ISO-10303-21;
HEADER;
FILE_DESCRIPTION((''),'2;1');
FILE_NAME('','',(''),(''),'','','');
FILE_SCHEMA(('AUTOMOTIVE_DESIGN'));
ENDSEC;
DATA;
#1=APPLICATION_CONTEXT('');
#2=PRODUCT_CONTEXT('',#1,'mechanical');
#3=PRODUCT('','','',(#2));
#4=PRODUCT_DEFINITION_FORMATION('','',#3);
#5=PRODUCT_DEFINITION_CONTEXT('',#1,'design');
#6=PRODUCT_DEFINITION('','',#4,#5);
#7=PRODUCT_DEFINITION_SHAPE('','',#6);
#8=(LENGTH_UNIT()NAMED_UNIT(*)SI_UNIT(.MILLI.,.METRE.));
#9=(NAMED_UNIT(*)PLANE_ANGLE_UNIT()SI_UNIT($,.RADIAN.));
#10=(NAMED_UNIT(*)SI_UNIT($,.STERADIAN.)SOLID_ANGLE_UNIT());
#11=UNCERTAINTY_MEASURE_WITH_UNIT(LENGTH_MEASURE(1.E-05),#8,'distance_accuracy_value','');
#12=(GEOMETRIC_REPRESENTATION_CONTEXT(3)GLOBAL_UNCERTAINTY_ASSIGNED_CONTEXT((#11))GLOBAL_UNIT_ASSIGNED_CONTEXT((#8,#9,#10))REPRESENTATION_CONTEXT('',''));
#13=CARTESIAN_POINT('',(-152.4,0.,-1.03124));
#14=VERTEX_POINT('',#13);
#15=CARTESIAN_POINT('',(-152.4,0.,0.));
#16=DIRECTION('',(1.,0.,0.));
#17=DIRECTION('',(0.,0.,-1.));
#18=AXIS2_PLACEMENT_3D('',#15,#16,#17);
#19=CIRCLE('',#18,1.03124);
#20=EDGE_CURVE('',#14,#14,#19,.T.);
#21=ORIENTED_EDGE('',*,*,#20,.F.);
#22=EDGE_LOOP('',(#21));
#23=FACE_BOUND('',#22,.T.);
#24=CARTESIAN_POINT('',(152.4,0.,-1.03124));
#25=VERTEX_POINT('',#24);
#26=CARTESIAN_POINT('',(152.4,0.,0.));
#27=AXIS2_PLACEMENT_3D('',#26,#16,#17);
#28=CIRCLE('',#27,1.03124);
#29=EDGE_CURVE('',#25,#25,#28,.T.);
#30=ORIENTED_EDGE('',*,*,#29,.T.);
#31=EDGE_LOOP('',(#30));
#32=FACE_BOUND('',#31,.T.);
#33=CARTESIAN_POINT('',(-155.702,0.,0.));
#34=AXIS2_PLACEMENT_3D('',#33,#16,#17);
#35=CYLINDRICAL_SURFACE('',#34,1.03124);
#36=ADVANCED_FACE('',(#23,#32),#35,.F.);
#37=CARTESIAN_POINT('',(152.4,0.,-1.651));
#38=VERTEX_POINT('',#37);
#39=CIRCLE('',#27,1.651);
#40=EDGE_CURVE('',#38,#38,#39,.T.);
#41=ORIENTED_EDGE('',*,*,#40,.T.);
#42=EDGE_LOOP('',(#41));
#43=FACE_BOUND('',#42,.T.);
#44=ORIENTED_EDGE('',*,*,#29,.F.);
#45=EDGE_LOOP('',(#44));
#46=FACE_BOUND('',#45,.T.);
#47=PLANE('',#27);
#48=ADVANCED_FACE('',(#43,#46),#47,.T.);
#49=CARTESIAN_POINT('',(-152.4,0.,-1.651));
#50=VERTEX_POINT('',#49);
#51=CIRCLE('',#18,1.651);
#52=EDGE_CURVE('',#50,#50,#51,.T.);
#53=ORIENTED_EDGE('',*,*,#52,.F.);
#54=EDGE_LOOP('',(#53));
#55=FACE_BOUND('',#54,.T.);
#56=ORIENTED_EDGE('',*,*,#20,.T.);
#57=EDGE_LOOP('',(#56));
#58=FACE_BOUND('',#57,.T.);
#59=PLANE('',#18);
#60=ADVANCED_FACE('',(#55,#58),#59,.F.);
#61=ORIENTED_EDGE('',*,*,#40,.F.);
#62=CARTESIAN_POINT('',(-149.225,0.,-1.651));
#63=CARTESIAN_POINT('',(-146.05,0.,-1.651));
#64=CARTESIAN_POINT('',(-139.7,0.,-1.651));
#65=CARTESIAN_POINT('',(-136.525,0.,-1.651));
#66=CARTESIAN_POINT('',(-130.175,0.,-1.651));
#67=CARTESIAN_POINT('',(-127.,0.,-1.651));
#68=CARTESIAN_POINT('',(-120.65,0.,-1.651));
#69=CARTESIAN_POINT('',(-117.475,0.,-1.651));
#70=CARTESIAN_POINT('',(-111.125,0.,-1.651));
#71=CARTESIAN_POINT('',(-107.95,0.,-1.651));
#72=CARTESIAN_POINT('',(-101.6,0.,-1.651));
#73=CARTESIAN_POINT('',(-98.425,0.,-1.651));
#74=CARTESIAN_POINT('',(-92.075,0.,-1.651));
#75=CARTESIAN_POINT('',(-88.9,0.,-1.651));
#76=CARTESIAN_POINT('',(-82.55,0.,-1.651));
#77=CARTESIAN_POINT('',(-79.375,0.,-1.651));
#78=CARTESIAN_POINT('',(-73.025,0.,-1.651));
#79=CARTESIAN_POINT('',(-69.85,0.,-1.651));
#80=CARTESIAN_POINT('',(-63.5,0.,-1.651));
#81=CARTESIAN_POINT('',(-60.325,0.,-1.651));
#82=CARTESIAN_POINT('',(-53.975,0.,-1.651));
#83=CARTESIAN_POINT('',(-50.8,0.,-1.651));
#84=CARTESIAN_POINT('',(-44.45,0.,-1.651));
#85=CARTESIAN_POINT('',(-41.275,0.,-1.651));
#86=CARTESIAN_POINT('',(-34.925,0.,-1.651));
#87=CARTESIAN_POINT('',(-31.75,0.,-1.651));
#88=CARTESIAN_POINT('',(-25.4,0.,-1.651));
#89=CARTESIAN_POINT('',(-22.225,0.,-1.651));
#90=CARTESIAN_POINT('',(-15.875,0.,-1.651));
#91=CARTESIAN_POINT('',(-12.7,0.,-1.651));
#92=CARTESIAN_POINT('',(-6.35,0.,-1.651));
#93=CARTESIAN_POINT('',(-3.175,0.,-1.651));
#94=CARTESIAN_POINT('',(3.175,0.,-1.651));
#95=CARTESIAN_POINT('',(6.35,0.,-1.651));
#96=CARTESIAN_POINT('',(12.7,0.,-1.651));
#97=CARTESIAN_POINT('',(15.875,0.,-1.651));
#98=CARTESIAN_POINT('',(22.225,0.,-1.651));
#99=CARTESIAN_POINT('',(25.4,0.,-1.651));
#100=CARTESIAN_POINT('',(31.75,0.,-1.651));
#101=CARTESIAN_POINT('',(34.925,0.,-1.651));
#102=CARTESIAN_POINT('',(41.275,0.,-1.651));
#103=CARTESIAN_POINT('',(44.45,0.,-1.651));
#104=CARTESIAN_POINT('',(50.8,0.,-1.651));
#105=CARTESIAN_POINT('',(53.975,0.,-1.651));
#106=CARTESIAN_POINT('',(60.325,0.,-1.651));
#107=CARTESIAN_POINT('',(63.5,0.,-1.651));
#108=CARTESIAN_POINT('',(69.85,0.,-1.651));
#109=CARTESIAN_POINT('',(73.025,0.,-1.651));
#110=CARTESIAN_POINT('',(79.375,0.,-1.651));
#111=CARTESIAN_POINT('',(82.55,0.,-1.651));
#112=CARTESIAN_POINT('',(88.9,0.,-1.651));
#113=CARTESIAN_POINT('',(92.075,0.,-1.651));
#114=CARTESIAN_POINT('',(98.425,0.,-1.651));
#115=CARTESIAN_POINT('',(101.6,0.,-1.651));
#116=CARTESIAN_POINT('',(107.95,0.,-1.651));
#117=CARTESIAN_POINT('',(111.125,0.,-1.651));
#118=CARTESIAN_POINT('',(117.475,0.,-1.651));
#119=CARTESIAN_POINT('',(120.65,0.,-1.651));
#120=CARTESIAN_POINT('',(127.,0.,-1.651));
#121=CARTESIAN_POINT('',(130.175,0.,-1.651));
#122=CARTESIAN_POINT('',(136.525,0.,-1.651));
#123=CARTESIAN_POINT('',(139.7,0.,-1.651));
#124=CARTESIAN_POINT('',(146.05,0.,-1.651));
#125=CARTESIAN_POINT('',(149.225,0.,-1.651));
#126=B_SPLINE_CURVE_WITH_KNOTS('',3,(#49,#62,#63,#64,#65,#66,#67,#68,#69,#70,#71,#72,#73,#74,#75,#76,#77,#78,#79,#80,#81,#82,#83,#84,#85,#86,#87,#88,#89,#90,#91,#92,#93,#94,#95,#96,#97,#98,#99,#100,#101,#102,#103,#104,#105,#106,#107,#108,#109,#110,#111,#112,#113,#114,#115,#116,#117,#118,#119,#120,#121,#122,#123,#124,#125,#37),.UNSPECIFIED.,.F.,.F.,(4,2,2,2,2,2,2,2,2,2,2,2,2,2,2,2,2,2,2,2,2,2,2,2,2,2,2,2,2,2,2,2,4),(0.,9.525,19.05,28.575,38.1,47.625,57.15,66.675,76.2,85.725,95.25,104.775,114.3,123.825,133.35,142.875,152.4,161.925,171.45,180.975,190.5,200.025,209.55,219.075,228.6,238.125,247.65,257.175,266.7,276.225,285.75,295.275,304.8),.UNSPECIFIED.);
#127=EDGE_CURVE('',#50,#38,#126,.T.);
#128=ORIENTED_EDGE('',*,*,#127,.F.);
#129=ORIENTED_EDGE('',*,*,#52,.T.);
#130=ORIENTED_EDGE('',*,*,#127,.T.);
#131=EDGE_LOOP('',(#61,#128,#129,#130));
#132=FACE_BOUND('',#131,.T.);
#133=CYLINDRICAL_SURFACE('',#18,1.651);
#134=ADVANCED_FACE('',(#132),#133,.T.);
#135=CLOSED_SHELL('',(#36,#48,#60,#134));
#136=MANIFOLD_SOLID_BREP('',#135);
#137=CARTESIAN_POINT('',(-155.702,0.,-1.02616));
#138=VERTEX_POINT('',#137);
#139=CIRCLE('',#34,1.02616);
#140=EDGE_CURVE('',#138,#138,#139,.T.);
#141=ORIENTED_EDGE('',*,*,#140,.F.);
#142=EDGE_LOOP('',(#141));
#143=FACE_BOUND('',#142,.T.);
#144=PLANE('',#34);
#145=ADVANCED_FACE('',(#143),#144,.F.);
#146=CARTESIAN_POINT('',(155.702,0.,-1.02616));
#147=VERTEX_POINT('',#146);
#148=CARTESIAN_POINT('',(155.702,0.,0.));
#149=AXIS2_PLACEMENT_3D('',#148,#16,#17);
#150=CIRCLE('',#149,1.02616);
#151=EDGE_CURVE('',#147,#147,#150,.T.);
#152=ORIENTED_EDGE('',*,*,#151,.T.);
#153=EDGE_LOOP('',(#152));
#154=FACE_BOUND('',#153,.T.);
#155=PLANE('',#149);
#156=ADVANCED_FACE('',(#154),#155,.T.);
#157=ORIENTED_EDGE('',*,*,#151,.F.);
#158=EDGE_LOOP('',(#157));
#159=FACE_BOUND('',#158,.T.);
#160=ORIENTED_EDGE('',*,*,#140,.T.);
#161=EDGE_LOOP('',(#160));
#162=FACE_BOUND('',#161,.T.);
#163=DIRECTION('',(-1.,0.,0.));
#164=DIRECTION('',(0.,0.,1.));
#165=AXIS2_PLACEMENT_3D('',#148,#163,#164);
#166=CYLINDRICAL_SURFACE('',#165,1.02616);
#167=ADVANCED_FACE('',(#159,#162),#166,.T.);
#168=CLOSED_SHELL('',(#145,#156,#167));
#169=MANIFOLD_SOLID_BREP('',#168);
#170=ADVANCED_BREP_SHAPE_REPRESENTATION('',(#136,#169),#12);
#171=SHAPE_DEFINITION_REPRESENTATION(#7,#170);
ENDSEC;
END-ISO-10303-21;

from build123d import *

# Parameters (mm, degrees)
SKETCH3_R                = 1.651
SKETCH3_R_2              = 1.02616
BOSS_EXTRUDE1_DEPTH      = 152.4
BOSS_EXTRUDE2_DEPTH      = 155.702
BOSS_EXTRUDE2_DEPTH_BACK = 155.702
SKETCH4_R                = 1.02616
SKETCH5_R                = 1.03124
SKETCH5_R_2              = 1.02616
CUT_EXTRUDE1_DEPTH       = 309.110846946


with BuildPart() as part:
    # Sketch3 → Boss-Extrude1 (new, symmetric)
    with BuildSketch(Plane(origin=(0, 0, 0), x_dir=(0, 0, -1), z_dir=(1, 0, 0))):
        Circle(SKETCH3_R)
        Circle(SKETCH3_R_2, mode=Mode.SUBTRACT)
    extrude(amount=BOSS_EXTRUDE1_DEPTH, both=True)

    # Sketch5 → Cut-Extrude1 (cut, through all)
    with BuildSketch(Plane(origin=(152.4, 0, 0), x_dir=(0, 0, -1), z_dir=(1, 0, 0))):
        Circle(SKETCH5_R)
        Circle(SKETCH5_R_2, mode=Mode.SUBTRACT)
    extrude(amount=-CUT_EXTRUDE1_DEPTH, mode=Mode.SUBTRACT)


with BuildPart() as body_2:
    # Sketch4 → Boss-Extrude2 (new, two sides: drawn at the far end of the back side and taken through both)
    with BuildSketch(Plane(origin=(0, 0, 0), x_dir=(0, 0, -1), z_dir=(1, 0, 0)).offset(-BOSS_EXTRUDE2_DEPTH_BACK)):
        Circle(SKETCH4_R)
    extrude(amount=BOSS_EXTRUDE2_DEPTH + BOSS_EXTRUDE2_DEPTH_BACK)


solid = Compound([part.part, body_2.part])
